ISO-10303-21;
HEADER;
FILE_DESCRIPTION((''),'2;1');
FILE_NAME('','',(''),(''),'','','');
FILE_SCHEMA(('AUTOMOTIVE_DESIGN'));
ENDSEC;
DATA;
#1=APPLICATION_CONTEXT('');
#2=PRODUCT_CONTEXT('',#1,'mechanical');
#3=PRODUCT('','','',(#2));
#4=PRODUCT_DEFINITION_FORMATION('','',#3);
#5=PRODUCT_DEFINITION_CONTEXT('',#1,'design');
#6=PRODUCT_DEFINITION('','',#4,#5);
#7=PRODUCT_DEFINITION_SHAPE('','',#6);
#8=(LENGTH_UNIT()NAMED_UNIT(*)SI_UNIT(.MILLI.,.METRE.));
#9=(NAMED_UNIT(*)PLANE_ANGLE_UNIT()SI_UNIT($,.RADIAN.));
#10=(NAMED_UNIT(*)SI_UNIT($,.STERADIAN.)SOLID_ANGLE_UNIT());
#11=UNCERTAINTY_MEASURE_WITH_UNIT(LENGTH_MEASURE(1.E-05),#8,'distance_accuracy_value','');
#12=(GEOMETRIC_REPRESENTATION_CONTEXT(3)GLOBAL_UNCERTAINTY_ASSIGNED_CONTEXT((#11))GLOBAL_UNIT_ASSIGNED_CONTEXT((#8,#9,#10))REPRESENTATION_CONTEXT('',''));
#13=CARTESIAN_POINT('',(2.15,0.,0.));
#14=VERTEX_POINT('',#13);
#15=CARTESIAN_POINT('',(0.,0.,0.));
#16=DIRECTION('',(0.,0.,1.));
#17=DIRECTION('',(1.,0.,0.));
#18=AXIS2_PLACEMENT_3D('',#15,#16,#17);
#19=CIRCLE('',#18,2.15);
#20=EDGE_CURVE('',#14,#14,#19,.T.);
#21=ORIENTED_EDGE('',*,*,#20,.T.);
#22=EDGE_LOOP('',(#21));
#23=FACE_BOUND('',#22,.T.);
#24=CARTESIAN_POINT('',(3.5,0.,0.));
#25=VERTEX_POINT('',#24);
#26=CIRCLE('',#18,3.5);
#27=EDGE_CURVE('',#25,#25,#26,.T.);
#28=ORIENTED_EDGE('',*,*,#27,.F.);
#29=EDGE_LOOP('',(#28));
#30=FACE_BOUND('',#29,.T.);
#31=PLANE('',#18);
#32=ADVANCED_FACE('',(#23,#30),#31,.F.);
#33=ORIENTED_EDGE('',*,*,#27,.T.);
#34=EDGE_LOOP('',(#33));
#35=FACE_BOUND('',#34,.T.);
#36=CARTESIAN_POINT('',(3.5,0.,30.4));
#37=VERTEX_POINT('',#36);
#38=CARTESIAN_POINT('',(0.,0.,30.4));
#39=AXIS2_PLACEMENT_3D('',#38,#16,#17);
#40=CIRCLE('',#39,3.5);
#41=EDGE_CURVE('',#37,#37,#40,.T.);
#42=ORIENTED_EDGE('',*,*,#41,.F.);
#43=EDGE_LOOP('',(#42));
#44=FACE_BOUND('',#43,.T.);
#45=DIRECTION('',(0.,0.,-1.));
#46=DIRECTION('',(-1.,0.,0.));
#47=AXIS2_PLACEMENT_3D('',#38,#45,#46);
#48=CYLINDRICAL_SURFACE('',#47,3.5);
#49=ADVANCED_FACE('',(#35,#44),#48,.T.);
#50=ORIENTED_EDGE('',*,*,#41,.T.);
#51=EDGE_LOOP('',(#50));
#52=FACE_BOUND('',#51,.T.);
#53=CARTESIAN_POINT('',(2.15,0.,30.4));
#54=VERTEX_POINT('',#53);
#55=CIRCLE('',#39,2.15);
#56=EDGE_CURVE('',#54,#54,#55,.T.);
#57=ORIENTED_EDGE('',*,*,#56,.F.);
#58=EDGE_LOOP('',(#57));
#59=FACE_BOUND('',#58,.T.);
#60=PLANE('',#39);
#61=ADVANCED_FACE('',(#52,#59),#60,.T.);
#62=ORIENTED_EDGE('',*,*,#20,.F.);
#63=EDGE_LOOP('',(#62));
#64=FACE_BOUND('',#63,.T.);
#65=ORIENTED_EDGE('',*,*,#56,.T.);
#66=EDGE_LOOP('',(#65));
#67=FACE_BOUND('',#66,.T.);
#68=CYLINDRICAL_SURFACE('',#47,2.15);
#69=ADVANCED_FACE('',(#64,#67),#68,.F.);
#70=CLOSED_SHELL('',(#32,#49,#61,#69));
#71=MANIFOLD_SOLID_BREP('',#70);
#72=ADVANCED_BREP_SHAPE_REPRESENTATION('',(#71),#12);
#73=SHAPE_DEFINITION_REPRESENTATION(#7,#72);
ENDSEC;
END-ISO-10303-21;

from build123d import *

# Parameters (mm, degrees)
SKETCH_1_R      = 3.5
SKETCH_1_R_2    = 2.15
EXTRUDE_1_DEPTH = 30.4


with BuildPart() as part:
    # 草图1 → 凸台-拉伸1 (new body)
    with BuildSketch(Plane.XY):
        Circle(SKETCH_1_R)
        Circle(SKETCH_1_R_2, mode=Mode.SUBTRACT)
    extrude(amount=EXTRUDE_1_DEPTH)


solid = part.part
